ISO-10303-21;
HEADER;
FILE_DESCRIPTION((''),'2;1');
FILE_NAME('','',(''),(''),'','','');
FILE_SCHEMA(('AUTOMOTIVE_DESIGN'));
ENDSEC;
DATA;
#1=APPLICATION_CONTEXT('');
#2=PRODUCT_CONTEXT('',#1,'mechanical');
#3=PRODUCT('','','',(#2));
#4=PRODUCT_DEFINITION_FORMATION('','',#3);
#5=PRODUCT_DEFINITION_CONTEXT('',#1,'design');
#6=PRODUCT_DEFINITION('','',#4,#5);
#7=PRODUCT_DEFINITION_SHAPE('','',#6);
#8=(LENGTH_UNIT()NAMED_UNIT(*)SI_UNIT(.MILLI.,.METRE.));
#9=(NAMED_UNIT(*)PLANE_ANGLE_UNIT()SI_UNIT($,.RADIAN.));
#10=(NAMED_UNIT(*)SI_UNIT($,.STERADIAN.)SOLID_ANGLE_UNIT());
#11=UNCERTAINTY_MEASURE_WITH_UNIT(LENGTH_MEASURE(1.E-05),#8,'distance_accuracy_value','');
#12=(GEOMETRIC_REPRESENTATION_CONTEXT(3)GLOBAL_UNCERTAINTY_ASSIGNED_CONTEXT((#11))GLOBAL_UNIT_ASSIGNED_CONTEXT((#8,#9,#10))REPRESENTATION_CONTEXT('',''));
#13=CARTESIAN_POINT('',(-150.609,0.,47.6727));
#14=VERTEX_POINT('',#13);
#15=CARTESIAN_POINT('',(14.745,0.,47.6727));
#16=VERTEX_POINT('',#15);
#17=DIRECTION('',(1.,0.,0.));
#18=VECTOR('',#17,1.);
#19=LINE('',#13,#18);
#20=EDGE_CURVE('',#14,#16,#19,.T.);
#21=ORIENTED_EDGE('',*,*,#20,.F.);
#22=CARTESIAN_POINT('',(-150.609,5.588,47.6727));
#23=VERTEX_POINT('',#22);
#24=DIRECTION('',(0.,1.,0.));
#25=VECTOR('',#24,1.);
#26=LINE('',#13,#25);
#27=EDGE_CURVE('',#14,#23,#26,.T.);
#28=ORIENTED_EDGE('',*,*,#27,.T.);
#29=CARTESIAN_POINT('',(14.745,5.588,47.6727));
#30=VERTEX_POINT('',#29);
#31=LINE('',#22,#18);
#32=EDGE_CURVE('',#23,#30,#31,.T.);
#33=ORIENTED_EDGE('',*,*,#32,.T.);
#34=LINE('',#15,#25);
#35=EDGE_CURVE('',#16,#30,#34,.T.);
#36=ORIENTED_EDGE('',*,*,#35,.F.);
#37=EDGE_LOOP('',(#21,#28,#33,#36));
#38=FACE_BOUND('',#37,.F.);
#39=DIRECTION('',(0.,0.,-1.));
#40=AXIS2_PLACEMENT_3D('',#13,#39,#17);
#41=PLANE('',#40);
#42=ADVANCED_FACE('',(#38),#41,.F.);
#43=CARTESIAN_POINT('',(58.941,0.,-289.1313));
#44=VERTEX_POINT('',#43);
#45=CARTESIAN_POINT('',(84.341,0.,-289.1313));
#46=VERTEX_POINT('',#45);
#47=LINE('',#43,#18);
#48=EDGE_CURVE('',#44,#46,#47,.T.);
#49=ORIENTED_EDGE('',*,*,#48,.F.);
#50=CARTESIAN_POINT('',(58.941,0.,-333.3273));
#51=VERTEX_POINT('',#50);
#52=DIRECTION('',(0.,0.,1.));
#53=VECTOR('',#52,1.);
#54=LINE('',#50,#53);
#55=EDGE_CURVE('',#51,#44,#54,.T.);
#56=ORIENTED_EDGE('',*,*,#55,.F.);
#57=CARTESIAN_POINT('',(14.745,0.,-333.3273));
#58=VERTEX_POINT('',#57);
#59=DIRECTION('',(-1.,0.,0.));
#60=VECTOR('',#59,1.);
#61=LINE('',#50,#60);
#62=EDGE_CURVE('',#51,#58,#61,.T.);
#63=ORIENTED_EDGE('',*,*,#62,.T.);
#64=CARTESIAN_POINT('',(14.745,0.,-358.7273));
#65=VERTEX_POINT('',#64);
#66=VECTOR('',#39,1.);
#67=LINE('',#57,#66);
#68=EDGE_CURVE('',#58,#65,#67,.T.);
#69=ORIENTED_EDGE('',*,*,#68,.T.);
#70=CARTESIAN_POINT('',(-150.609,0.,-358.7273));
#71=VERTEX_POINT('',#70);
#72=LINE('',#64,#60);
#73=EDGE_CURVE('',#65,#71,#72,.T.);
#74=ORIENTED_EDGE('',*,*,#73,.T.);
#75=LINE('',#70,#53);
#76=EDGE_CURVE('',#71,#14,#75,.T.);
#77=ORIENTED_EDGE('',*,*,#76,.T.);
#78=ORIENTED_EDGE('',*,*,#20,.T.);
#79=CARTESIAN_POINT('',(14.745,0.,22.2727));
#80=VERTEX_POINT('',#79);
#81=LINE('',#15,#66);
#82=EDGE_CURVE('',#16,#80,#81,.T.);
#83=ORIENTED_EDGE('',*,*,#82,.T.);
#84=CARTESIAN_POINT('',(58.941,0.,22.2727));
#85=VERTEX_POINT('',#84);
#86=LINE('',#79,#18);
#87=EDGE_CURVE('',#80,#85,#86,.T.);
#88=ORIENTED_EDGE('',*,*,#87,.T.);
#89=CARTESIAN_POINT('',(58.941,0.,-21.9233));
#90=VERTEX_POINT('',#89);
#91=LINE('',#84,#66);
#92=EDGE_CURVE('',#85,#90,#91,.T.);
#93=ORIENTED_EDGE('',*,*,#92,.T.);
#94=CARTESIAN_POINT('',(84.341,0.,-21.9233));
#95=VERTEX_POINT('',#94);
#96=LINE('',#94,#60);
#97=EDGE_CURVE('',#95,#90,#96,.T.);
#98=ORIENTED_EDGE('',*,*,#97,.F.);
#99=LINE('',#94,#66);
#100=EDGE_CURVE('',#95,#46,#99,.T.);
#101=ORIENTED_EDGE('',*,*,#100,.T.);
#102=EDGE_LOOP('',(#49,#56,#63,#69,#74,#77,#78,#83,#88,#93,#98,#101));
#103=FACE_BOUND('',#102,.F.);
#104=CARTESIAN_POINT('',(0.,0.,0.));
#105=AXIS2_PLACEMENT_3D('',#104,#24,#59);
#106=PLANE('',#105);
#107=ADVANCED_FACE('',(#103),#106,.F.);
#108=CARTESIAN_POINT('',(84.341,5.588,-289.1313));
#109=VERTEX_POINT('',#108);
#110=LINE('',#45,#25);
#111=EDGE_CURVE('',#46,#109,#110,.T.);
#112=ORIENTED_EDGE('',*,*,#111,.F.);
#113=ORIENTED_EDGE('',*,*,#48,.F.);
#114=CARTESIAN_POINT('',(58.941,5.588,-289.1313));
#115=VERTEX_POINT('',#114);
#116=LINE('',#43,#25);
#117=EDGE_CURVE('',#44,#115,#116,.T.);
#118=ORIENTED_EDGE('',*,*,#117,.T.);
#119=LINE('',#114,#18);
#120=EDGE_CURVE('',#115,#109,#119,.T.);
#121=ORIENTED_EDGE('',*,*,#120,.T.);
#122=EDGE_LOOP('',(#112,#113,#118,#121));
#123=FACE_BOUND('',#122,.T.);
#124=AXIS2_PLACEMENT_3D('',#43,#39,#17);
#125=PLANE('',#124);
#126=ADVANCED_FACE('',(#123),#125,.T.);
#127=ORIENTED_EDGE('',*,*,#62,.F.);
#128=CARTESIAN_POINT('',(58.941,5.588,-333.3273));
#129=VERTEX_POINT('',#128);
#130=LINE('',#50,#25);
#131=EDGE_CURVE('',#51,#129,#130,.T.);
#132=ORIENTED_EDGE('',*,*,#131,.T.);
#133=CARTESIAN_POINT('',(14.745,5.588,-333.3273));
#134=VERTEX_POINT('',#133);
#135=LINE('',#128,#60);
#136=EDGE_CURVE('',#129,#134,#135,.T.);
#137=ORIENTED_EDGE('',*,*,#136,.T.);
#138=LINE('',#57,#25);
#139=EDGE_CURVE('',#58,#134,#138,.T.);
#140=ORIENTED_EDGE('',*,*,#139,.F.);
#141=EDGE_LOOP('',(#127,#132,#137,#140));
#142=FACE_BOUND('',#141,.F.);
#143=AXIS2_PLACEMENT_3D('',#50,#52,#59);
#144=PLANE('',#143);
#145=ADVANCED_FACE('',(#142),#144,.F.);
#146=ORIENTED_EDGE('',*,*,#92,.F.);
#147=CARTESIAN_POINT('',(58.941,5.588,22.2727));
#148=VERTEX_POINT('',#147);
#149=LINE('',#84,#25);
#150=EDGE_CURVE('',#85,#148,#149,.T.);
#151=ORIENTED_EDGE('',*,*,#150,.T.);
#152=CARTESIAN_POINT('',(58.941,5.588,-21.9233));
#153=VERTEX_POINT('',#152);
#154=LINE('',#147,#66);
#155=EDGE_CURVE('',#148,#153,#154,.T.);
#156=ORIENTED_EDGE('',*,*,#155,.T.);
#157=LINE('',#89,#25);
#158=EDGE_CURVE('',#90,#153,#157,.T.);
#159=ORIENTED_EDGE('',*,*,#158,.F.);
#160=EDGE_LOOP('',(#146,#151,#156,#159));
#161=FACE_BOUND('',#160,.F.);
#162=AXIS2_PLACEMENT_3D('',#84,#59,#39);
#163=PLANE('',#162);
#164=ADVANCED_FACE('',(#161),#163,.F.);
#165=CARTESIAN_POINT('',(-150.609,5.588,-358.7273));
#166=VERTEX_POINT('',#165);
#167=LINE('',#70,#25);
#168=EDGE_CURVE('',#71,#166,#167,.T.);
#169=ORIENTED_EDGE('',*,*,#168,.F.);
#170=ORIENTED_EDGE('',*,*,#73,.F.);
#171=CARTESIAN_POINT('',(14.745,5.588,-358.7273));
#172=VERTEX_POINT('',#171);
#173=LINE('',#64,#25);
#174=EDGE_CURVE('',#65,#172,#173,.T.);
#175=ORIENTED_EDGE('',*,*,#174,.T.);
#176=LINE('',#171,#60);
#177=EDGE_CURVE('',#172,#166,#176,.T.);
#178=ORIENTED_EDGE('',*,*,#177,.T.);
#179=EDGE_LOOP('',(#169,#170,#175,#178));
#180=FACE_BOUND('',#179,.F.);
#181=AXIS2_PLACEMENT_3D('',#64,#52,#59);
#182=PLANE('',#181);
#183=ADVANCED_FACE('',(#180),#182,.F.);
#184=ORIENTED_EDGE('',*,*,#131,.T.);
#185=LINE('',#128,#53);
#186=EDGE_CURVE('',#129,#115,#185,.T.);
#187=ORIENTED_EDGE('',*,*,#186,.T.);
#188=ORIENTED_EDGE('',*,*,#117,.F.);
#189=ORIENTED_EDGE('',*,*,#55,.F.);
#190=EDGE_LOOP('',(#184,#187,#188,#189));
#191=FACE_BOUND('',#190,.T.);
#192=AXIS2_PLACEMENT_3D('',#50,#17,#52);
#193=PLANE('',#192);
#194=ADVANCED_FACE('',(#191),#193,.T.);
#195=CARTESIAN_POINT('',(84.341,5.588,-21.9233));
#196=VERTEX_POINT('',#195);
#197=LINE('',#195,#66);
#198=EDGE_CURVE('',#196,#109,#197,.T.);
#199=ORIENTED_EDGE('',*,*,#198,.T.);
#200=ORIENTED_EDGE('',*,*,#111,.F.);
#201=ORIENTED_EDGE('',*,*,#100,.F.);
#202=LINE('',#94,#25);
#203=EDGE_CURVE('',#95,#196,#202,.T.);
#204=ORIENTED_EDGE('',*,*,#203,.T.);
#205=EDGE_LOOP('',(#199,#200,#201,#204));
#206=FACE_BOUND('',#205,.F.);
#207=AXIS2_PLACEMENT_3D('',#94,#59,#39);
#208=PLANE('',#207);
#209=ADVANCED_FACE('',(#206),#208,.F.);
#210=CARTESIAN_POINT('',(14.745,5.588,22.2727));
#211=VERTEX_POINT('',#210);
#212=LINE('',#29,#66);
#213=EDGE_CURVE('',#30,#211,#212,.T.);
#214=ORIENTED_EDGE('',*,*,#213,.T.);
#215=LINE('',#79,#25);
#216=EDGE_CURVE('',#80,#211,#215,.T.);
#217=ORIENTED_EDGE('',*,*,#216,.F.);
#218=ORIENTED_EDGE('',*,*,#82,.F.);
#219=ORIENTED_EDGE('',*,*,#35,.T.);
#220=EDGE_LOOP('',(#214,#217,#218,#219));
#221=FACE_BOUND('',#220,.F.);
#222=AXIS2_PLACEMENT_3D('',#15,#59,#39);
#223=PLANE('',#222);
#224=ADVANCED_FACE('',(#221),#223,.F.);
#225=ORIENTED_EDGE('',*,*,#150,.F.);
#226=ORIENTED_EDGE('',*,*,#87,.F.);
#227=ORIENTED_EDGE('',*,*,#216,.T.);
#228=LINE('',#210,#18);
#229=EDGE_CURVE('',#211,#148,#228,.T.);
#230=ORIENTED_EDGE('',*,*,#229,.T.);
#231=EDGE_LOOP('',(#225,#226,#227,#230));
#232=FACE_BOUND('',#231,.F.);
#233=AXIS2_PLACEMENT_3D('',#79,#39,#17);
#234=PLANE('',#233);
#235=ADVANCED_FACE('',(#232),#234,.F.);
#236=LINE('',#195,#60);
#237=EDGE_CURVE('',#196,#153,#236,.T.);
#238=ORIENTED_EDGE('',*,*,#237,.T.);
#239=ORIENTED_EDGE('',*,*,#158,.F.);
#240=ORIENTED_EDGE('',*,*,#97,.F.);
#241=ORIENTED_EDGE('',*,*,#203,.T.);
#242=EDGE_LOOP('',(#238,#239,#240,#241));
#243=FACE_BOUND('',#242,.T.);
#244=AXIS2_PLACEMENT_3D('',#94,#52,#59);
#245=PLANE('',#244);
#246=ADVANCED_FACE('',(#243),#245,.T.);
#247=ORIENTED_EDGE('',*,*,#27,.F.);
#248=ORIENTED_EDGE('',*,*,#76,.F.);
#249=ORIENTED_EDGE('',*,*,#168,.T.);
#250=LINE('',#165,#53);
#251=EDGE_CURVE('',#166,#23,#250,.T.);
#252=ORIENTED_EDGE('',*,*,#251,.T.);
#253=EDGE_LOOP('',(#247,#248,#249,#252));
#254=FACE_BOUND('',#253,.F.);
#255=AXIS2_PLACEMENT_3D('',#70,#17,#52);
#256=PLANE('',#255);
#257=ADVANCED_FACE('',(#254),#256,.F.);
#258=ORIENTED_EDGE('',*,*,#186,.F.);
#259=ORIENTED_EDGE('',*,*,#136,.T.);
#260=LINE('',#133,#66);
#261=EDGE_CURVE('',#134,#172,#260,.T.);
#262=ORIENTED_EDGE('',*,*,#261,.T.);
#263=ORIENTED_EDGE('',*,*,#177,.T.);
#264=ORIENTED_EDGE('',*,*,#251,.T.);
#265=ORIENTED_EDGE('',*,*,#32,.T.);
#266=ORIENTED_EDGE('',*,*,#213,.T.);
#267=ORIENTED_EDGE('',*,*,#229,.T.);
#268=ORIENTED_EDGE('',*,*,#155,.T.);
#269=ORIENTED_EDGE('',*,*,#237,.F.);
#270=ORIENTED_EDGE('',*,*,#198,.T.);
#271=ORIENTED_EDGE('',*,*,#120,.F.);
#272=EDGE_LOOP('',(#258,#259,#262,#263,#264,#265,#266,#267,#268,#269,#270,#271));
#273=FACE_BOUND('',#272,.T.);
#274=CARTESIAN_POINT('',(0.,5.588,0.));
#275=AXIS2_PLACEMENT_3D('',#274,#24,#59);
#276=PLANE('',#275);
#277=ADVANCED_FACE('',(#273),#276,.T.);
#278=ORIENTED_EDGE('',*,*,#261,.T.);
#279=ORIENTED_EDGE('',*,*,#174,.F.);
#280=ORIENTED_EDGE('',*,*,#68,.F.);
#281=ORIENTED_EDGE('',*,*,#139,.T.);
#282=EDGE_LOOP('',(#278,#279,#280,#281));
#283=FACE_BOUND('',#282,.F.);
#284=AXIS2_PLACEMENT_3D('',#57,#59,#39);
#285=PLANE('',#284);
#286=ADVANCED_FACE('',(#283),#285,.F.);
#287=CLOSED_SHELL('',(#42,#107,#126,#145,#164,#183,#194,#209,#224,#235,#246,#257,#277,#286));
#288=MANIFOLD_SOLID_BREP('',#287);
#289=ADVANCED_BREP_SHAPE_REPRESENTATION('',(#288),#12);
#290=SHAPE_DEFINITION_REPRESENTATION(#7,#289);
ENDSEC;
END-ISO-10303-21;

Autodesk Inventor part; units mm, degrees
ref_plane "YZ Plane" through (0, 0, 0) normal (1, 0, 0) x (0, 1, 0)
ref_plane "XZ Plane" through (0, 0, 0) normal (0, 1, 0) x (-1, 0, 0)
ref_plane "XY Plane" through (0, 0, 0) normal (0, 0, 1) x (1, 0, 0)
sketch "Sketch1" plane through (0, 0, 0) normal (0, 1, 0) x (-1, 0, 0)
  line L0 (150.609, 47.6727) -> (-14.745, 47.6727)
  line L1 (-84.341, -21.9233) -> (-84.341, -289.1313)
  line L2 (-14.745, -358.7273) -> (150.609, -358.7273)
  line L3 (150.609, -358.7273) -> (150.609, 47.6727)
  line L4 (-14.745, 47.6727) -> (-14.745, 22.2727)
  line L5 (-84.341, -21.9233) -> (-58.941, -21.9233)
  line L6 (-14.745, 22.2727) -> (-58.941, 22.2727)
  line L7 (-58.941, 22.2727) -> (-58.941, -21.9233)
  line L8 (-58.941, -333.3273) -> (-14.745, -333.3273)
  line L9 (-14.745, -333.3273) -> (-14.745, -358.7273)
  line L10 (-58.941, -333.3273) -> (-58.941, -289.1313)
  line L11 (-58.941, -289.1313) -> (-84.341, -289.1313)
  point P0 (0, 0)
  dimension "d1" = 406.4
  dimension "d2" = 25.4
  dimension "d3" = 69.596
  dimension "d4" = 25.4
  dimension "d6" = 69.596
  dimension "d12" = 234.95
extrude "Extrusion1" add sketch "Sketch1" along normal blind 5.588
properties part number "Swerve_cover_1"
